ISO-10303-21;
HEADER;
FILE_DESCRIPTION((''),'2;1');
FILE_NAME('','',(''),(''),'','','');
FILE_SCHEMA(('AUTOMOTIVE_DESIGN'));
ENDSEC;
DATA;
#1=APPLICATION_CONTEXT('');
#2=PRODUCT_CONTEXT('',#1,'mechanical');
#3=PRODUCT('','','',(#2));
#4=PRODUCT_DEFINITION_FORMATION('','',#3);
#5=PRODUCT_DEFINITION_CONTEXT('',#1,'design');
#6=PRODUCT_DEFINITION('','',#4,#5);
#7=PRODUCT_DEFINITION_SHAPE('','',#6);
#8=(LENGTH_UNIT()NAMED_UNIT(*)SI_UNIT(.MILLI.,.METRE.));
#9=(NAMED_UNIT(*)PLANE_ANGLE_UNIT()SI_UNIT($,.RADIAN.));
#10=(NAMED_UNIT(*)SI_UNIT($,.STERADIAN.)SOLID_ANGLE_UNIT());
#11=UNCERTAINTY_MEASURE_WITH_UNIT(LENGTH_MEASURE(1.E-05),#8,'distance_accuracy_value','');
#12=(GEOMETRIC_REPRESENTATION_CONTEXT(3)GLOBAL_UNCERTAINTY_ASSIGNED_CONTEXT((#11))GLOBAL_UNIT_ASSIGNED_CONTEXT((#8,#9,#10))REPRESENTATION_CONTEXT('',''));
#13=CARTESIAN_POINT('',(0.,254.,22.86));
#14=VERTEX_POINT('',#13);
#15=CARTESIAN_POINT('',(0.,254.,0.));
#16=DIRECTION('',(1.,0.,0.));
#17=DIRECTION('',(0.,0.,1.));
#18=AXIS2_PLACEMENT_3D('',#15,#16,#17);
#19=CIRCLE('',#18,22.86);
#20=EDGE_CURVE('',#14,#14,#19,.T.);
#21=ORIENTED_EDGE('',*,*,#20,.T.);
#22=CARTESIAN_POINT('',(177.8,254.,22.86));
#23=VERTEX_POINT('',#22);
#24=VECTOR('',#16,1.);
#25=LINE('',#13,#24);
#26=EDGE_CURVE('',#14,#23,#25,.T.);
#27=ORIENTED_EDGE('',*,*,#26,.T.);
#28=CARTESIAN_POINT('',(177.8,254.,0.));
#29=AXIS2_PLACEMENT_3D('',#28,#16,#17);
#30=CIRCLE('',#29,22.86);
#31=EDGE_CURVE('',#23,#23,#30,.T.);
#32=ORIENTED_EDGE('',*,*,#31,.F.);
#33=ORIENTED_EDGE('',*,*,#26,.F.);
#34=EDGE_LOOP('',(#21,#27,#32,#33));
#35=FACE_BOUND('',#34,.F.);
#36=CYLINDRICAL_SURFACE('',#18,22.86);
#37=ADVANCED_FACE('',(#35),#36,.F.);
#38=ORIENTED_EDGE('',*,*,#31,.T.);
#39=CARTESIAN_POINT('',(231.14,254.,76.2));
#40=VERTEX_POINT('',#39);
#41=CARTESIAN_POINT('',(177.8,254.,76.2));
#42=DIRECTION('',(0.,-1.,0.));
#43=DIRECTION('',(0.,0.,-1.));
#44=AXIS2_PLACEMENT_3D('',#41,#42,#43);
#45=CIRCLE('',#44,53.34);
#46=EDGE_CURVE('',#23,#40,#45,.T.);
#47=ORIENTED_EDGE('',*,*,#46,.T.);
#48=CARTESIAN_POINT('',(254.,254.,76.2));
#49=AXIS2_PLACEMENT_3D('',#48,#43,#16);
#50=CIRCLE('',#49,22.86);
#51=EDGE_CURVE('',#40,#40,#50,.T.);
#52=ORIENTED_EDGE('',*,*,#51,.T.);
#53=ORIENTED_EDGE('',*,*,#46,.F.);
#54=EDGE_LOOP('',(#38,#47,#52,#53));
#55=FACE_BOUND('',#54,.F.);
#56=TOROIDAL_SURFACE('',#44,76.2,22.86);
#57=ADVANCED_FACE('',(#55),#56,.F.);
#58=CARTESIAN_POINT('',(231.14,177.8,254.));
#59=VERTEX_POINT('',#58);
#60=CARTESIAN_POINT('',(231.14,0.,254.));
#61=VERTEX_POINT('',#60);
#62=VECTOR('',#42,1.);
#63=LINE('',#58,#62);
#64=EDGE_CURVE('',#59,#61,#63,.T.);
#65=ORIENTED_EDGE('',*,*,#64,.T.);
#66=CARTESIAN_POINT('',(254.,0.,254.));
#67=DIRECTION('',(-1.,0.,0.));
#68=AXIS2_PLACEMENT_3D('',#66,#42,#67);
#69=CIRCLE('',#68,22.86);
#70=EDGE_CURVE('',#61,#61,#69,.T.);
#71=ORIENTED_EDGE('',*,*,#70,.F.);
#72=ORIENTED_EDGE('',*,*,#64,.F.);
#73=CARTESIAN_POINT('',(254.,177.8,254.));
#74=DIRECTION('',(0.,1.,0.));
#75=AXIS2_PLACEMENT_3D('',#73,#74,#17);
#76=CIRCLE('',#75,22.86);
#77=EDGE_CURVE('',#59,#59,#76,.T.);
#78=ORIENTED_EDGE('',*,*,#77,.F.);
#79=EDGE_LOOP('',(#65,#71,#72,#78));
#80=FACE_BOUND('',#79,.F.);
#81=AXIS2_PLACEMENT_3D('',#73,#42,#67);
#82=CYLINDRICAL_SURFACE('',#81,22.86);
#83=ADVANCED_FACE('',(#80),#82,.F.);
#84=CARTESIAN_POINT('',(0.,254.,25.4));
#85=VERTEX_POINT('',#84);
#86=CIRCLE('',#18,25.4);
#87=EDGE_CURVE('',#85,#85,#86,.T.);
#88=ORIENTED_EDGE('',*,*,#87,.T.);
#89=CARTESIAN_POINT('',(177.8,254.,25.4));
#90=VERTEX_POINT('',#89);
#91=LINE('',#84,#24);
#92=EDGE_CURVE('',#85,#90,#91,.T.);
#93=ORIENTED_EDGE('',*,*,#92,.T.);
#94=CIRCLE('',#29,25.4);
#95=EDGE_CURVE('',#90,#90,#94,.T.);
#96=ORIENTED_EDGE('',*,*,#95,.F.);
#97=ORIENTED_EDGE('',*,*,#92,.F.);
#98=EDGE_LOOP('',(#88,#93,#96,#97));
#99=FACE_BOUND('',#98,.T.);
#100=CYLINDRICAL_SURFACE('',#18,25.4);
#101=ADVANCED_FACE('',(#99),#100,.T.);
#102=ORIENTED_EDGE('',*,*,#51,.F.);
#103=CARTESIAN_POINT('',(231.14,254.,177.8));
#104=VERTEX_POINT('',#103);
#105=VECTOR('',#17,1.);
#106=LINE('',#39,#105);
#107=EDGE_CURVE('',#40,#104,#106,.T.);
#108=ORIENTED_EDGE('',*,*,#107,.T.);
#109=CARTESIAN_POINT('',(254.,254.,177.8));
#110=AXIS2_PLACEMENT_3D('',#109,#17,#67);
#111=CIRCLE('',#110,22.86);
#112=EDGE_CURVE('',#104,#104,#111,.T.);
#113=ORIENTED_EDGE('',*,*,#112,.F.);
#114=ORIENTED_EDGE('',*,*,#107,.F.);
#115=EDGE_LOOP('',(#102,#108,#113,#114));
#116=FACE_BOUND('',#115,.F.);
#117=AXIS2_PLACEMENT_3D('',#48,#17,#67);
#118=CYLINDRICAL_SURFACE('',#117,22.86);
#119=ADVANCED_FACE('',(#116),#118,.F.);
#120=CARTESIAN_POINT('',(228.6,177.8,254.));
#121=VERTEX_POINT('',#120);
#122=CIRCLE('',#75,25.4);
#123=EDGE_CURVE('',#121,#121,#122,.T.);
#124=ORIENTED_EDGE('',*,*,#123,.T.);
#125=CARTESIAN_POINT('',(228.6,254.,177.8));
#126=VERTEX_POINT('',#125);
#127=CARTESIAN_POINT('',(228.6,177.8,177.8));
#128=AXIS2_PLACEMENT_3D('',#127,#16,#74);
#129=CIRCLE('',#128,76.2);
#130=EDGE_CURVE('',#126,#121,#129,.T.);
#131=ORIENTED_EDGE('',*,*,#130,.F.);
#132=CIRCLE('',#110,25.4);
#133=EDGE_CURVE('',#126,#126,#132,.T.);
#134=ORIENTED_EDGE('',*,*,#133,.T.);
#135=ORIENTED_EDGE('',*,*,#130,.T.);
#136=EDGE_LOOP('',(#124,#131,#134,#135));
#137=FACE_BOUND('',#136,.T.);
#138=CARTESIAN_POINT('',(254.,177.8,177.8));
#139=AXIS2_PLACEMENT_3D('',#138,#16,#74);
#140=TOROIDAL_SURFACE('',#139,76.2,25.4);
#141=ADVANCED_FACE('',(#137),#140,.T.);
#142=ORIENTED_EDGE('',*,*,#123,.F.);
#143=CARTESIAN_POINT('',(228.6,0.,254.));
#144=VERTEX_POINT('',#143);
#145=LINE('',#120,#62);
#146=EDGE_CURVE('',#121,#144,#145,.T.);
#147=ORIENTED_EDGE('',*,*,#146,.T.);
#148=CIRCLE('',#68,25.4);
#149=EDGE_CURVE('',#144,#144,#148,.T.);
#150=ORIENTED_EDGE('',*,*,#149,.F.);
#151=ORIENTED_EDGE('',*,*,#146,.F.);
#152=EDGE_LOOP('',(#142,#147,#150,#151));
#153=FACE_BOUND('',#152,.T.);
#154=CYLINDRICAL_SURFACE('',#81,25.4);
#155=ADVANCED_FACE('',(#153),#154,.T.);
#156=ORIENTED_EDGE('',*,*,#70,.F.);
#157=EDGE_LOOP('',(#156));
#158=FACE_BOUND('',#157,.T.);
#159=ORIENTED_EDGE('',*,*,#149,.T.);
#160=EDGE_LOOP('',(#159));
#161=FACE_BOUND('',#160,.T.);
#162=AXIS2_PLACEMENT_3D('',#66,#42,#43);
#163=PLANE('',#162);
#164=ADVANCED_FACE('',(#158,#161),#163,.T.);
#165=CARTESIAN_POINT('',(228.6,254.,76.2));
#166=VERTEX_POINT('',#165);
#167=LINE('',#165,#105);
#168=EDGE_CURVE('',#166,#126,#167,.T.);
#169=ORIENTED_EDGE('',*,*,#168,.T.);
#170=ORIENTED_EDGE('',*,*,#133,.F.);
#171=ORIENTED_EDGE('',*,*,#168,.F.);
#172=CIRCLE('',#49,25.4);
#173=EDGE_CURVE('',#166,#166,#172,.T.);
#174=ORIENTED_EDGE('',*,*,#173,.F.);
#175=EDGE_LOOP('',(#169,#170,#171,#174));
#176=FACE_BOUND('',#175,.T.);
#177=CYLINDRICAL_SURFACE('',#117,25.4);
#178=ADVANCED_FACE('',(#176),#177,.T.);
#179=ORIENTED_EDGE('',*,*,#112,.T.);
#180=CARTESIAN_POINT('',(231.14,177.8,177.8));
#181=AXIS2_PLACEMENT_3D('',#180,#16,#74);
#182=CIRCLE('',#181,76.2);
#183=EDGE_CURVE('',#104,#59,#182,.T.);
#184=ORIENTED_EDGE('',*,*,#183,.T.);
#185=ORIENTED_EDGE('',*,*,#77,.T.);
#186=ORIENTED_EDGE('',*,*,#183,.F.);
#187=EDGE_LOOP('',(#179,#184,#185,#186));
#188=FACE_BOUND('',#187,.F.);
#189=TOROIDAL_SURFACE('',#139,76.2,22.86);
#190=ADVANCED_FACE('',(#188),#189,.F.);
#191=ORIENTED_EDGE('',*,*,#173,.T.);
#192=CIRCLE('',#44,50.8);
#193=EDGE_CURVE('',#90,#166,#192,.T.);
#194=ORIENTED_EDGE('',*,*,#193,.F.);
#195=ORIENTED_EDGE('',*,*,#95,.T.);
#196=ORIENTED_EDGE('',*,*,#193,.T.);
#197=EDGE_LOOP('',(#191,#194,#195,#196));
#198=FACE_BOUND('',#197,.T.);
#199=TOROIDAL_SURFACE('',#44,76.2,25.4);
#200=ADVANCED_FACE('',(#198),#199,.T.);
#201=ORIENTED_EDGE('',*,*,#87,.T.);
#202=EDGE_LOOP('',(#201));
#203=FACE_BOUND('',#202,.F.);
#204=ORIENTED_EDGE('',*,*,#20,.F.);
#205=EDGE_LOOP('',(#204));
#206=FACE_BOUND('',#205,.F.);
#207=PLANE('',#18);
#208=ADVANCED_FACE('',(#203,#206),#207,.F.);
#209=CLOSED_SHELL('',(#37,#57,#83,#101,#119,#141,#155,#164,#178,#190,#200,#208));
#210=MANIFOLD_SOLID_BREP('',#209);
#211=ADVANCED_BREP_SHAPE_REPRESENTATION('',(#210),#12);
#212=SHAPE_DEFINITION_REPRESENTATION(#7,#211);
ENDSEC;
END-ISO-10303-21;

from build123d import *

# Parameters (mm, degrees)
SWEEP1_PROFILE_R = 25.4
SHELL1_T         = -2.54


with BuildPart() as part:
    # Sweep1: sweep along a curve in space
    with BuildLine() as sweep1_path:
        Line((0, 254, 0), (177.8, 254, 0))
        ThreePointArc((177.8, 254, 0), (231.681536726, 254, 22.318463274), (254, 254, 76.2))
        Line((254, 254, 76.2), (254, 254, 177.8))
        ThreePointArc((254, 254, 177.8), (254, 231.681536726, 231.681536726), (254, 177.8, 254))
        Line((254, 177.8, 254), (254, 0, 254))
    # Sweep1 profile (on start of the path) → Sweep1 (sweep)
    with BuildSketch(Plane(origin=(0, 254, 0), x_dir=(0, 0, 1), z_dir=(1, 0, 0))):
        Circle(SWEEP1_PROFILE_R)
    sweep(path=sweep1_path.line)

    # Shell1
    shell1_openings = [part.faces().sort_by_distance(p)[0] for p in [
        (254, 0, 254),
        (0, 254, 0),
    ]]
    offset(amount=SHELL1_T, openings=shell1_openings, kind=Kind.INTERSECTION)


solid = part.part
